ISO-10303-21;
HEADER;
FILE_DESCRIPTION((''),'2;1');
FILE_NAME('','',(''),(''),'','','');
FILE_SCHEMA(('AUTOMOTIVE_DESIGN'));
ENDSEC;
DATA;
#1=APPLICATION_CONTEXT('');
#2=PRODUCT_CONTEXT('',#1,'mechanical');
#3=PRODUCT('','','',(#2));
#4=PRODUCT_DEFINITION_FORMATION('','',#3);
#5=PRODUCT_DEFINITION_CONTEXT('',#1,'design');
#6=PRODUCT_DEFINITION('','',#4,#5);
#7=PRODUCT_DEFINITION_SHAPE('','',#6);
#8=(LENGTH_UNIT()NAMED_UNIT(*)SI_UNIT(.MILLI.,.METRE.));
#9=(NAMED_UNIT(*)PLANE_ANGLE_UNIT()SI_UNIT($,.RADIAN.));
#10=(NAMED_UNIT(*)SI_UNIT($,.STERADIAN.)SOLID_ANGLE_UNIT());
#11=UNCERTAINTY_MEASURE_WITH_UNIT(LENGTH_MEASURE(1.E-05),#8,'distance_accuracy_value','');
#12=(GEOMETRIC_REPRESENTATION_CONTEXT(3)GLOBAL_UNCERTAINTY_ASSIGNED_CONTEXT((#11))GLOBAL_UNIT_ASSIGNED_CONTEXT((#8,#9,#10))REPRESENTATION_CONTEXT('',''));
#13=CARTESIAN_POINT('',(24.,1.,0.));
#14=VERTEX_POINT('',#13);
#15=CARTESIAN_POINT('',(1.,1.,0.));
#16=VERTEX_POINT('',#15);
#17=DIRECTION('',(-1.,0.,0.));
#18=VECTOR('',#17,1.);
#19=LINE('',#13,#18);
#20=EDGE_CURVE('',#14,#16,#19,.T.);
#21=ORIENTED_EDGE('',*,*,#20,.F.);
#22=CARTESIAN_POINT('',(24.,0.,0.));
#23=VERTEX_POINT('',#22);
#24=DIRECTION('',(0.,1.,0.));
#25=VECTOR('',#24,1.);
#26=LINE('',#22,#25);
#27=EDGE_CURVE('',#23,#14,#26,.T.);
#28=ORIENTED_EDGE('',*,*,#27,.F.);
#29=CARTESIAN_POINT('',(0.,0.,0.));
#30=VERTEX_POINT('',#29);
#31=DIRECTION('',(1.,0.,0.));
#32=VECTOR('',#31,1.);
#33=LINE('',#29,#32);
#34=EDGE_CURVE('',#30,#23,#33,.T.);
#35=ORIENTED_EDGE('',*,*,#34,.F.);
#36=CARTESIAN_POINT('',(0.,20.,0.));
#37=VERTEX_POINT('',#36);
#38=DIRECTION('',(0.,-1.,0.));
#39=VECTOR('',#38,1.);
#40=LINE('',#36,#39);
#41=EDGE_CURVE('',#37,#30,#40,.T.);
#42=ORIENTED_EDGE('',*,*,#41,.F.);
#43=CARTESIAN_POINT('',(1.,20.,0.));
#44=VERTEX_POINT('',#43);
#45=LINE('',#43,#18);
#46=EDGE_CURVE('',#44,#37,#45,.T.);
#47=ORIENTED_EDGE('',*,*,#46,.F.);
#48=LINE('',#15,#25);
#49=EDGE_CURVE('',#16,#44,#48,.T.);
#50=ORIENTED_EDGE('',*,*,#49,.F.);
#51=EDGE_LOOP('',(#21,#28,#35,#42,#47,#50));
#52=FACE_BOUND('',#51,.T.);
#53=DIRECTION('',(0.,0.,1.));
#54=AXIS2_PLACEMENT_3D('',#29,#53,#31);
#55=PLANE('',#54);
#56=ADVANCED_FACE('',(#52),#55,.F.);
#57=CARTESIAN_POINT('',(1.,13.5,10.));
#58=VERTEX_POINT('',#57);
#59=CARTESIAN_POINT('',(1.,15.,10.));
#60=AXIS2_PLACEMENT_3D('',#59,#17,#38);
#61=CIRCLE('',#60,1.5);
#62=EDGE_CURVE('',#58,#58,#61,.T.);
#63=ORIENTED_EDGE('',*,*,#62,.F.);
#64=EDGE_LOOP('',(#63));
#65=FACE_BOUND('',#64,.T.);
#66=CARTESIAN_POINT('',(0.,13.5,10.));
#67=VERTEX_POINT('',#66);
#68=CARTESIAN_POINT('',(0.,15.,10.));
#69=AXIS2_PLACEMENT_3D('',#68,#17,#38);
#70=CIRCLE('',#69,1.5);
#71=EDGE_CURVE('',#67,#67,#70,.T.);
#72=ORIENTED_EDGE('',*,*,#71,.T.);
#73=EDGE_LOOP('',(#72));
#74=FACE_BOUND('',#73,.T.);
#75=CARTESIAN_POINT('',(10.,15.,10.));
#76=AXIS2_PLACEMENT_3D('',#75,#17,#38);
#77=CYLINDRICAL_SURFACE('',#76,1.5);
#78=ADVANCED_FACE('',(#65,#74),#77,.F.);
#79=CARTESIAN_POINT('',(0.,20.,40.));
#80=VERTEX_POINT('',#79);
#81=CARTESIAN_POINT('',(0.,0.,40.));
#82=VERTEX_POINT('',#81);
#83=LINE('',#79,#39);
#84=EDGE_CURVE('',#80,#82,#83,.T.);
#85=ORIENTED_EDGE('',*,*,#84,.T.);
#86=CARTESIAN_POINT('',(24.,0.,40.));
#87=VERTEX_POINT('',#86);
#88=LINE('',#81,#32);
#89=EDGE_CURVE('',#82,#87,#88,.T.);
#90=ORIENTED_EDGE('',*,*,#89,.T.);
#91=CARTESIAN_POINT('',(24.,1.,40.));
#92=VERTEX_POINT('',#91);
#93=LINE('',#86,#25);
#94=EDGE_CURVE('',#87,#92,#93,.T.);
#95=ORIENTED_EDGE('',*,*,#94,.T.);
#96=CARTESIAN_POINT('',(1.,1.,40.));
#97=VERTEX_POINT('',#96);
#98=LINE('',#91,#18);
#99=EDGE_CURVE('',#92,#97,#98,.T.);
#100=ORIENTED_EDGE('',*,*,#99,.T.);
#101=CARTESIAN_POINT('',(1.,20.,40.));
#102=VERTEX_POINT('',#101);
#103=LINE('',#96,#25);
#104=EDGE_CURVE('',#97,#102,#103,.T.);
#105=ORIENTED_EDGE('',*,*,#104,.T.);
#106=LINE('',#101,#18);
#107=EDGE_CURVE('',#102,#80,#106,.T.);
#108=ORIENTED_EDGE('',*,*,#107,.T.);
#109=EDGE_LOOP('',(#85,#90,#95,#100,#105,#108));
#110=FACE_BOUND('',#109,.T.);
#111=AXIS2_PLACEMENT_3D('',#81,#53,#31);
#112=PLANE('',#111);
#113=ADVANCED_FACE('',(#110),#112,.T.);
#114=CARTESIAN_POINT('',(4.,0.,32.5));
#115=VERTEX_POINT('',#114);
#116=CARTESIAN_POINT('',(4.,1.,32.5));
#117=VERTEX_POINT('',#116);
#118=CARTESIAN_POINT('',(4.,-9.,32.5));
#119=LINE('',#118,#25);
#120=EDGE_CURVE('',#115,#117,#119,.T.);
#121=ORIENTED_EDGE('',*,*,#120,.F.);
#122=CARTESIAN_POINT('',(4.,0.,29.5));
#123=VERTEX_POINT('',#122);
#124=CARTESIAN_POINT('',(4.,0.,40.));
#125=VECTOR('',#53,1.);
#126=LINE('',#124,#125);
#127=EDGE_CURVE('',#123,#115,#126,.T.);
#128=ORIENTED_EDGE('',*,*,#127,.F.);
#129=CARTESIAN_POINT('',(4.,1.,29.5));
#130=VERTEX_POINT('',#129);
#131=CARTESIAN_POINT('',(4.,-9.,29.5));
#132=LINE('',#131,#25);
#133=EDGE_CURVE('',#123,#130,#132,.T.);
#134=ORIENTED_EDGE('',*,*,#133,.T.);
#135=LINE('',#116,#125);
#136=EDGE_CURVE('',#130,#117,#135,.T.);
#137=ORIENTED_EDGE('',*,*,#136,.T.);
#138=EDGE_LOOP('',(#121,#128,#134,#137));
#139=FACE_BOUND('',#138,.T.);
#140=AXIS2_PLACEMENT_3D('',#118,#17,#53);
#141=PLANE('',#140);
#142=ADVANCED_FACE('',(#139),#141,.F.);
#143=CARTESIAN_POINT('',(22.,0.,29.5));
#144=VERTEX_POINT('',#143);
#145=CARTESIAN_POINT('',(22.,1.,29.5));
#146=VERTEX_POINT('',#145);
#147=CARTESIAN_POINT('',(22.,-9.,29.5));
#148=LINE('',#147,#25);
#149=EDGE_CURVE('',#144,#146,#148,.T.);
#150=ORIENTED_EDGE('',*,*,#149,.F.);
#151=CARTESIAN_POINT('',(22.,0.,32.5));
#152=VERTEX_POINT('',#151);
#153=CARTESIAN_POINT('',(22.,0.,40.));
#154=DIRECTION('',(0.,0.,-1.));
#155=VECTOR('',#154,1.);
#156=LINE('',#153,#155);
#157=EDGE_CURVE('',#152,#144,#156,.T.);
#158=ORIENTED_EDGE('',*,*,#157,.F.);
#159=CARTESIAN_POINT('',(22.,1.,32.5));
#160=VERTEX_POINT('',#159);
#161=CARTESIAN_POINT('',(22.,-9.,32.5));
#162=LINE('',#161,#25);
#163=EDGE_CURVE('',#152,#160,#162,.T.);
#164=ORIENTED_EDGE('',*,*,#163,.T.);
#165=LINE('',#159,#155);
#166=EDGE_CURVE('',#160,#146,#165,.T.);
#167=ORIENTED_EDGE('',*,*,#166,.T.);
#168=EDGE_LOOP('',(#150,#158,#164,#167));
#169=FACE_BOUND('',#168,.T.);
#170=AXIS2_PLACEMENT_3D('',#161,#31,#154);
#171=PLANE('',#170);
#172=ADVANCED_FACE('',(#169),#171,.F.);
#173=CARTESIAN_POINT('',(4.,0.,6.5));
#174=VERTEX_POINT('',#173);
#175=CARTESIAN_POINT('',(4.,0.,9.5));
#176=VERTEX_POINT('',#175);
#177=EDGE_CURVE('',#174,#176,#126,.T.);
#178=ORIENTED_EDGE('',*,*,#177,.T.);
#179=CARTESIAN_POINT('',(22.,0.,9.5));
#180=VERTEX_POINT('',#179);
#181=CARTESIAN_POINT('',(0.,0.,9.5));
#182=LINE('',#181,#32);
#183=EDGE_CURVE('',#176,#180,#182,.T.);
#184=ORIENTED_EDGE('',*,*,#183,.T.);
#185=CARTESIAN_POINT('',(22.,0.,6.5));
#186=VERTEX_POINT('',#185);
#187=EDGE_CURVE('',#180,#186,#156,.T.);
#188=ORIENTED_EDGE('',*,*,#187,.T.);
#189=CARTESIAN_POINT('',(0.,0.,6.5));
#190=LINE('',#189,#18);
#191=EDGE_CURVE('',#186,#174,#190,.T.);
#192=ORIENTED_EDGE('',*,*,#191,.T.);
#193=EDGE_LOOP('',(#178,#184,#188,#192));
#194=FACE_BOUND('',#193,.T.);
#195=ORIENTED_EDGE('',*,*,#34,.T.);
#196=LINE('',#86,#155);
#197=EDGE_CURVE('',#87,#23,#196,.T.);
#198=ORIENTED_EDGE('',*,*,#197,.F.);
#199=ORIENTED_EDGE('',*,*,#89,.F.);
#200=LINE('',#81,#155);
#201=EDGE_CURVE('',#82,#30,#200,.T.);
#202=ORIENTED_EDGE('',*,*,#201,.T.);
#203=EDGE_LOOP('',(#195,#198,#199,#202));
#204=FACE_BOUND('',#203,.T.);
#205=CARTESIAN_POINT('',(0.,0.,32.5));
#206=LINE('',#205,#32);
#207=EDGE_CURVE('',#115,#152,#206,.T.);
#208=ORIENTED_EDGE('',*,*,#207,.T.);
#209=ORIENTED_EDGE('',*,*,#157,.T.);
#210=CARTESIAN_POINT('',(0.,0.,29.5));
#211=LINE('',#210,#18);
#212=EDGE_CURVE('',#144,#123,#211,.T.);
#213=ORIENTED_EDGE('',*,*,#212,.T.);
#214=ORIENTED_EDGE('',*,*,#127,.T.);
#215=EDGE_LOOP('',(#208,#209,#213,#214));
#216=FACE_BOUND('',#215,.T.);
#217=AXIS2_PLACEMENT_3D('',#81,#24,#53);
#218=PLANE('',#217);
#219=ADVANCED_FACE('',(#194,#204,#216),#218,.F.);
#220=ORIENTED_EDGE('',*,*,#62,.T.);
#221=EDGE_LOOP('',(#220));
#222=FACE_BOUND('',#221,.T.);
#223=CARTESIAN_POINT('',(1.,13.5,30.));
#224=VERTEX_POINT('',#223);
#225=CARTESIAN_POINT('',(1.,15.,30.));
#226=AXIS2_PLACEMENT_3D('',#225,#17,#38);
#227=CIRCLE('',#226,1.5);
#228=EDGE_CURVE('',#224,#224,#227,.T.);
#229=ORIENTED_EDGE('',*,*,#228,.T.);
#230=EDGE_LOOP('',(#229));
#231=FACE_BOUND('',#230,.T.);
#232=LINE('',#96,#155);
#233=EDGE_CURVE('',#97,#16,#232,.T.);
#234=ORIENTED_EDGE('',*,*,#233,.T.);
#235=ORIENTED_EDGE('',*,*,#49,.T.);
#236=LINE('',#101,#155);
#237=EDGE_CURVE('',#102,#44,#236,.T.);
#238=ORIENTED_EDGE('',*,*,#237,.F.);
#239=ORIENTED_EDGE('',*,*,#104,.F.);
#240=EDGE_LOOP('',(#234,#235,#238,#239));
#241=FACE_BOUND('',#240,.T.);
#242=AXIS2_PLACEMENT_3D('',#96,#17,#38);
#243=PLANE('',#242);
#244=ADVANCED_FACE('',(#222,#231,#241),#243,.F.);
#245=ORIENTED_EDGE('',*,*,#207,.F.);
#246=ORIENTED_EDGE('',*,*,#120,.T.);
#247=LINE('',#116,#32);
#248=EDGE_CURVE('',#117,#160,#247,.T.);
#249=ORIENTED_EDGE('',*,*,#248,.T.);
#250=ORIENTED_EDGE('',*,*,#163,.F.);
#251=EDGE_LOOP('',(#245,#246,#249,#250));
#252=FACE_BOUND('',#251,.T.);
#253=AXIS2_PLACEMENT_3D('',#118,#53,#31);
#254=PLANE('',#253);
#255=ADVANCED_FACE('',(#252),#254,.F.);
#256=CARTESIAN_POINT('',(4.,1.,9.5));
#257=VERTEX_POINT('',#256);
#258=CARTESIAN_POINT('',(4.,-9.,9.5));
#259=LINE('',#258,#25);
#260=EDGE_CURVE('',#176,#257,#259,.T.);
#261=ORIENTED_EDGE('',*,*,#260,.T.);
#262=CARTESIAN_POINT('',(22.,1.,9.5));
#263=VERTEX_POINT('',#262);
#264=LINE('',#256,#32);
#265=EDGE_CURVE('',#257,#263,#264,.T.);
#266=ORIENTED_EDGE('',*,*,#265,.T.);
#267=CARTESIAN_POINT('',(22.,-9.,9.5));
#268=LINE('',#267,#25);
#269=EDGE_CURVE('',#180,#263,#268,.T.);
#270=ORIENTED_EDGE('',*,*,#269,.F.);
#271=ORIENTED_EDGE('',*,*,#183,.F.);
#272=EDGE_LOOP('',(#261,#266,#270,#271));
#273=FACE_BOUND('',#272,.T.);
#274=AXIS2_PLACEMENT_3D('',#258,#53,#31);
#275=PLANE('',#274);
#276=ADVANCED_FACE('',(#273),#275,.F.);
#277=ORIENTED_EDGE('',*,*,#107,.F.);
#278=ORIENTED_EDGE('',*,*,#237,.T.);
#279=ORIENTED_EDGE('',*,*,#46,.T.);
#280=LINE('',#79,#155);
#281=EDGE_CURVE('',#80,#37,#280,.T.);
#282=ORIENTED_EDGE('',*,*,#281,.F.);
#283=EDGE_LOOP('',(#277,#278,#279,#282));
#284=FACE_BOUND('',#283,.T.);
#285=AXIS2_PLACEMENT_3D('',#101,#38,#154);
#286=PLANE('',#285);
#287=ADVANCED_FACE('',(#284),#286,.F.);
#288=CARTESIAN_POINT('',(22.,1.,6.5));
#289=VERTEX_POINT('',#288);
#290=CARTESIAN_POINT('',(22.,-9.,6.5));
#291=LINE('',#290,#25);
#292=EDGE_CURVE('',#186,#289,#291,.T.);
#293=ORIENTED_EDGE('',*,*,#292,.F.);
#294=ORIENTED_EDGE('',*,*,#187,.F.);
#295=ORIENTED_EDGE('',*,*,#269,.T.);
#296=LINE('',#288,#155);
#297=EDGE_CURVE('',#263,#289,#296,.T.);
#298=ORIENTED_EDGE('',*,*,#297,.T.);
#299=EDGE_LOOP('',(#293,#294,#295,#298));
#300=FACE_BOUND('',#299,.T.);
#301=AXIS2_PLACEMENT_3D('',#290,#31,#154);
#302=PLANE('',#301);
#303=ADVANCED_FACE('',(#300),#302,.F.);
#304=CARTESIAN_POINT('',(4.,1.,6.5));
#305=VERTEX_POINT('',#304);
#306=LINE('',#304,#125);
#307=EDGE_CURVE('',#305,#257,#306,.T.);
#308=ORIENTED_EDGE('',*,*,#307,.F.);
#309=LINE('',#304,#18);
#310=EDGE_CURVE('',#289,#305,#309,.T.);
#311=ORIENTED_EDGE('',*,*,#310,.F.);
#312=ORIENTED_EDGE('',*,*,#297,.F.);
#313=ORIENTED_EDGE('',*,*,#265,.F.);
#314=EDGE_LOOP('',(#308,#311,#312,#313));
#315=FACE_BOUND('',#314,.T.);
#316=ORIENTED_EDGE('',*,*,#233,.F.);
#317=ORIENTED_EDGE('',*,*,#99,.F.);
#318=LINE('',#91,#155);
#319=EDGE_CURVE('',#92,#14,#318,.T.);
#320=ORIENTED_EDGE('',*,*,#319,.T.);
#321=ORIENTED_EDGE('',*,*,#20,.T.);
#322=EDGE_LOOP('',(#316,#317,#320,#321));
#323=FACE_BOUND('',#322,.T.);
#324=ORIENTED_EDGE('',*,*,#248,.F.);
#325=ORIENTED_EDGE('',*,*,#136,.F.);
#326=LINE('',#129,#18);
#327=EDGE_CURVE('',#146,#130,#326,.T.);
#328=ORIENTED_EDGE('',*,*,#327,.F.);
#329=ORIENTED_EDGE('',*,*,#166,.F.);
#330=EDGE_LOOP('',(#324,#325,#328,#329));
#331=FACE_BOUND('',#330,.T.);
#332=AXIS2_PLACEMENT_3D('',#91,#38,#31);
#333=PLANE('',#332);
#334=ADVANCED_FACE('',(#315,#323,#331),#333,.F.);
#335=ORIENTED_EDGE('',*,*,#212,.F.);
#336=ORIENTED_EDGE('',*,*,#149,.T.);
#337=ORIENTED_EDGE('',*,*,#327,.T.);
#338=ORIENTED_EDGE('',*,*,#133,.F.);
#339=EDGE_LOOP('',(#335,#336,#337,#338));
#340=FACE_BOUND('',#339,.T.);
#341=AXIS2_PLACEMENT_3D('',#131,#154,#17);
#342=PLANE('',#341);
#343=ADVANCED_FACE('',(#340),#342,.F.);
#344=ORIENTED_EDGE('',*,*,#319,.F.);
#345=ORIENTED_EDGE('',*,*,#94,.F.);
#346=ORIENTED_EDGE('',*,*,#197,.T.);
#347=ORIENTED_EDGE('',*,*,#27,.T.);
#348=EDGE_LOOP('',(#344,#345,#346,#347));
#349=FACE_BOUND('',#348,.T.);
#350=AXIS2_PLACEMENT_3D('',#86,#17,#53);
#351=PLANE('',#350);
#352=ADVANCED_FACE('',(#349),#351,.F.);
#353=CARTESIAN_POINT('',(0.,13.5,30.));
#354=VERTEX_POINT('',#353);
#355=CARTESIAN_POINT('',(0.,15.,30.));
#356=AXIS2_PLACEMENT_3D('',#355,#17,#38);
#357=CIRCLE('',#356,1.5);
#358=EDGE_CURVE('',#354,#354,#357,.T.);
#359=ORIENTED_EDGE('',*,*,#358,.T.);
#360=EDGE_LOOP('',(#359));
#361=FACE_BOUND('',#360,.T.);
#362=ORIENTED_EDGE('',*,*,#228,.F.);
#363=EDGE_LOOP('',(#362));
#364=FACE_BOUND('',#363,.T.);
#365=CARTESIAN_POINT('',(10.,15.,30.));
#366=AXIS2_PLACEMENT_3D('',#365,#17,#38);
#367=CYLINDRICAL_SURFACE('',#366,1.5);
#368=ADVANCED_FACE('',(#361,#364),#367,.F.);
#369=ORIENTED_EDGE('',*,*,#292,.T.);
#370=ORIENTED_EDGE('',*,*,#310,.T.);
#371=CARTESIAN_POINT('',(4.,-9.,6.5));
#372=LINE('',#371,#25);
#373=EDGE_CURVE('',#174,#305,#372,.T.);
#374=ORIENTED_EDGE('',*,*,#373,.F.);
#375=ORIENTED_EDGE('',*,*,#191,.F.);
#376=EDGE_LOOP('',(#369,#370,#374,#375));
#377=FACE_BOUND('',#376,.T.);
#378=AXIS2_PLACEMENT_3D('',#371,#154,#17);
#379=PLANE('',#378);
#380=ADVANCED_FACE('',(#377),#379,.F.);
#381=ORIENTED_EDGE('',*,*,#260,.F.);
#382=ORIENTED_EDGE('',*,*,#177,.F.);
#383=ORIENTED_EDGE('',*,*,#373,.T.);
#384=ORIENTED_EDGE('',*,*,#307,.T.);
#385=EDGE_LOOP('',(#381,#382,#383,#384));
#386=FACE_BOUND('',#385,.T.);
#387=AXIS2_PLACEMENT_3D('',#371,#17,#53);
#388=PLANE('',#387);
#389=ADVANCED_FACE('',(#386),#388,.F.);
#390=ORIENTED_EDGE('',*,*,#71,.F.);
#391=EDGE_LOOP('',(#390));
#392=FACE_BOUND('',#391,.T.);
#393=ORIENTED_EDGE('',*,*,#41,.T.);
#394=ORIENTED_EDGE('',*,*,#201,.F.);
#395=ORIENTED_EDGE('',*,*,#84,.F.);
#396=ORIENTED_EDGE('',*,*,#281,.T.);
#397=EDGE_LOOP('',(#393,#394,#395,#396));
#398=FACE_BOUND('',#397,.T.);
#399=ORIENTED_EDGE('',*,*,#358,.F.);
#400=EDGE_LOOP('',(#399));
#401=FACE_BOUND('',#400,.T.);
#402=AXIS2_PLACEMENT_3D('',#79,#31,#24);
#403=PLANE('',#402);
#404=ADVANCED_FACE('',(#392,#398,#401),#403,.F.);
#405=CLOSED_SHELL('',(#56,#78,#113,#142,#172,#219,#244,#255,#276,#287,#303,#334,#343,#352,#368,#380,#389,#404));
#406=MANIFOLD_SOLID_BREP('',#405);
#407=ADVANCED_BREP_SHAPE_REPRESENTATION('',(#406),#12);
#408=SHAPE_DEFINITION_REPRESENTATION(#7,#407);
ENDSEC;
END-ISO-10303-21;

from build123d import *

# Parameters (mm, degrees)
BOSS_EXTRUDE1_DEPTH = 40
SKETCH2_W           = 18
SKETCH2_H           = 3
CUT_EXTRUDE1_DEPTH  = 10
SKETCH3_R           = 1.5
CUT_EXTRUDE2_DEPTH  = 10


with BuildPart() as part:
    # Sketch1 → Boss-Extrude1 (new body)
    with BuildSketch(Plane.XY):
        Polygon((0, 0), (24, 0), (24, 1), (1, 1), (1, 20), (0, 20), align=None)
    extrude(amount=BOSS_EXTRUDE1_DEPTH)

    # Sketch2 → Cut-Extrude1 (cut)
    with BuildSketch(Plane(origin=(0, 1, 0), x_dir=(1, 0, 0), z_dir=(0, 1, 0))):
        with Locations((13, -8)):
            Rectangle(SKETCH2_W, SKETCH2_H)
        with Locations((13, -31)):
            Rectangle(SKETCH2_W, SKETCH2_H)
    extrude(amount=-CUT_EXTRUDE1_DEPTH, mode=Mode.SUBTRACT)

    # Sketch3 → Cut-Extrude2 (cut)
    with BuildSketch(Plane.ZY):
        with Locations((30, 15)):
            Circle(SKETCH3_R)
        with Locations((10, 15)):
            Circle(SKETCH3_R)
    extrude(amount=-CUT_EXTRUDE2_DEPTH, mode=Mode.SUBTRACT)


solid = part.part
